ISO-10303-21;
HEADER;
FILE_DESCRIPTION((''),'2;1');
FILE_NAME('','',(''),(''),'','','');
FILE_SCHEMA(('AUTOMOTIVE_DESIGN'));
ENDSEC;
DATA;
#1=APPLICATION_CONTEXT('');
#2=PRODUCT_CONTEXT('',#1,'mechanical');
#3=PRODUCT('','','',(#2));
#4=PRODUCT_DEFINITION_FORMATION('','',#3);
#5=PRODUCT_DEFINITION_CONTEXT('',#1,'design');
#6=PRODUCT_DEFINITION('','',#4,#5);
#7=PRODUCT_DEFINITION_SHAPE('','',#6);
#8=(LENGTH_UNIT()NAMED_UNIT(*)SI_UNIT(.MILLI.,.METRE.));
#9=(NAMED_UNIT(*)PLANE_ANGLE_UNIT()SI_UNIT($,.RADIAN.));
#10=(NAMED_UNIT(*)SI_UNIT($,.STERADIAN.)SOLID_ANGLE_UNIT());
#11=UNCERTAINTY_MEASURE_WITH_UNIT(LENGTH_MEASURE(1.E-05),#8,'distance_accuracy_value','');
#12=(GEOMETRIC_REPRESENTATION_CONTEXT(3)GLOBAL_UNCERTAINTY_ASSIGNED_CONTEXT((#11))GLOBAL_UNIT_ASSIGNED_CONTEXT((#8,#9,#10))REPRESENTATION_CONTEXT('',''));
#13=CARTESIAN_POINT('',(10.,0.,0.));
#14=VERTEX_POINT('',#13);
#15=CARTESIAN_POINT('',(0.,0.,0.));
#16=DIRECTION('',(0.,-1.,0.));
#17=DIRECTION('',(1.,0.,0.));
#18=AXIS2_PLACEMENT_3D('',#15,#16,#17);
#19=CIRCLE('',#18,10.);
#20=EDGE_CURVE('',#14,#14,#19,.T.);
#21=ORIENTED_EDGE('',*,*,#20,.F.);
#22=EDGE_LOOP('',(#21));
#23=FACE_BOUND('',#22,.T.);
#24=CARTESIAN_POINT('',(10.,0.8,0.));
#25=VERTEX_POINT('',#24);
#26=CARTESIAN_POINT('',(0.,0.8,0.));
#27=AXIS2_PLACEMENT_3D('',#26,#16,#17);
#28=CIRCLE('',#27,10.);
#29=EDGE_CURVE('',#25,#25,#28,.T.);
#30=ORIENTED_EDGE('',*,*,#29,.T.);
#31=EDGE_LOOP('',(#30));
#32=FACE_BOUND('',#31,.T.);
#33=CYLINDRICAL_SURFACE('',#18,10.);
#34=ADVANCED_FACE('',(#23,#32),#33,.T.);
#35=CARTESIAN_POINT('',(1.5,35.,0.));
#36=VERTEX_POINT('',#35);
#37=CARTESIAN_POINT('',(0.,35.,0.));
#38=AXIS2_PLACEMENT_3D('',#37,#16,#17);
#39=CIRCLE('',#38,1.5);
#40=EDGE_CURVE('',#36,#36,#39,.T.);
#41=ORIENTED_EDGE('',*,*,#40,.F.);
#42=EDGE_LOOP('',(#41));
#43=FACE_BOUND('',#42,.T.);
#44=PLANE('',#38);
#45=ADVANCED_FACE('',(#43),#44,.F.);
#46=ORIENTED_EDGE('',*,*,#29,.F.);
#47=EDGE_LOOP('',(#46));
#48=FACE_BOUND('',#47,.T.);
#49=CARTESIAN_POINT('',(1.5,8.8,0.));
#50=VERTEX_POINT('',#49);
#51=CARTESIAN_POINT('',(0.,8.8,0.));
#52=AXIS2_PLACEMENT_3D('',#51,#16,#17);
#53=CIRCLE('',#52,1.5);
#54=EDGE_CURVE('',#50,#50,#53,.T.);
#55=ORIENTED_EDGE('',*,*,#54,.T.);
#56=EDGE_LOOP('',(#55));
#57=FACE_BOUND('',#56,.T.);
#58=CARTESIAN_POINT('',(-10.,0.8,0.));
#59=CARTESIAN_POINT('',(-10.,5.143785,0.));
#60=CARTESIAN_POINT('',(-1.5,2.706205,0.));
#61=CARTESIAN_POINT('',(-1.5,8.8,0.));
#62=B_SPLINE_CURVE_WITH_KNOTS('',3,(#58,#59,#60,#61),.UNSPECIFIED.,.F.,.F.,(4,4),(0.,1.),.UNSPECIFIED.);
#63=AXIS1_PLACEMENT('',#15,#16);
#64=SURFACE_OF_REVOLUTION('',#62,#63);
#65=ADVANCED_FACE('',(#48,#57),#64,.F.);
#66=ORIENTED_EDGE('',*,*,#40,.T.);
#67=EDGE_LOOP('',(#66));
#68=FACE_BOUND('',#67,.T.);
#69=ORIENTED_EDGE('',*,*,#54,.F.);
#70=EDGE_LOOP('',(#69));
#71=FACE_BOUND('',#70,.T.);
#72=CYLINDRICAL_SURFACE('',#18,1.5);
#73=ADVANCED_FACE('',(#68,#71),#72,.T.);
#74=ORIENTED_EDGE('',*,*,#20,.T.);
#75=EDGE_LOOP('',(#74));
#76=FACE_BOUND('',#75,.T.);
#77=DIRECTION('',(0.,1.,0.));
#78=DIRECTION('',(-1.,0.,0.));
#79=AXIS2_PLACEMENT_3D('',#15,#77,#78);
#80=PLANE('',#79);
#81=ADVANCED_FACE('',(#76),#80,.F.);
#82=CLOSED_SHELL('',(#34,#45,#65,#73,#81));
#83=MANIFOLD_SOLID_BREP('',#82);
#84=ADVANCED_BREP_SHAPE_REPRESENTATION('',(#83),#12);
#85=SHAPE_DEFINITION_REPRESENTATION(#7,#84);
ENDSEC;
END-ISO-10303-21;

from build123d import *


with BuildPart() as part:
    # Sketch1 → Revolve1 (revolve)
    with BuildSketch(Plane.XY, mode=Mode.PRIVATE) as revolve1_sk:
        with BuildLine():
            Line((-10, 0.8), (-10, 0))
            Line((-10, 0), (0, 0))
            Line((0, 0), (0, 35))
            Line((0, 35), (-1.5, 35))
            Line((-1.5, 35), (-1.5, 8.8))
            add(Edge.make_bspline(
                [(-10, 0.8), (-10, 5.143785025), (-1.5, 2.706204915), (-1.5, 8.8)],
                knots=[0, 0, 0, 0, 1, 1, 1, 1], degree=3))
        make_face()
    revolve(revolve1_sk.sketch.rotate(Axis((0, 0, 0), (0, 1, 0)), 180), axis=Axis((0, 0, 0), (0, 1, 0)))  # turned: the seam where the file's is


solid = part.part
